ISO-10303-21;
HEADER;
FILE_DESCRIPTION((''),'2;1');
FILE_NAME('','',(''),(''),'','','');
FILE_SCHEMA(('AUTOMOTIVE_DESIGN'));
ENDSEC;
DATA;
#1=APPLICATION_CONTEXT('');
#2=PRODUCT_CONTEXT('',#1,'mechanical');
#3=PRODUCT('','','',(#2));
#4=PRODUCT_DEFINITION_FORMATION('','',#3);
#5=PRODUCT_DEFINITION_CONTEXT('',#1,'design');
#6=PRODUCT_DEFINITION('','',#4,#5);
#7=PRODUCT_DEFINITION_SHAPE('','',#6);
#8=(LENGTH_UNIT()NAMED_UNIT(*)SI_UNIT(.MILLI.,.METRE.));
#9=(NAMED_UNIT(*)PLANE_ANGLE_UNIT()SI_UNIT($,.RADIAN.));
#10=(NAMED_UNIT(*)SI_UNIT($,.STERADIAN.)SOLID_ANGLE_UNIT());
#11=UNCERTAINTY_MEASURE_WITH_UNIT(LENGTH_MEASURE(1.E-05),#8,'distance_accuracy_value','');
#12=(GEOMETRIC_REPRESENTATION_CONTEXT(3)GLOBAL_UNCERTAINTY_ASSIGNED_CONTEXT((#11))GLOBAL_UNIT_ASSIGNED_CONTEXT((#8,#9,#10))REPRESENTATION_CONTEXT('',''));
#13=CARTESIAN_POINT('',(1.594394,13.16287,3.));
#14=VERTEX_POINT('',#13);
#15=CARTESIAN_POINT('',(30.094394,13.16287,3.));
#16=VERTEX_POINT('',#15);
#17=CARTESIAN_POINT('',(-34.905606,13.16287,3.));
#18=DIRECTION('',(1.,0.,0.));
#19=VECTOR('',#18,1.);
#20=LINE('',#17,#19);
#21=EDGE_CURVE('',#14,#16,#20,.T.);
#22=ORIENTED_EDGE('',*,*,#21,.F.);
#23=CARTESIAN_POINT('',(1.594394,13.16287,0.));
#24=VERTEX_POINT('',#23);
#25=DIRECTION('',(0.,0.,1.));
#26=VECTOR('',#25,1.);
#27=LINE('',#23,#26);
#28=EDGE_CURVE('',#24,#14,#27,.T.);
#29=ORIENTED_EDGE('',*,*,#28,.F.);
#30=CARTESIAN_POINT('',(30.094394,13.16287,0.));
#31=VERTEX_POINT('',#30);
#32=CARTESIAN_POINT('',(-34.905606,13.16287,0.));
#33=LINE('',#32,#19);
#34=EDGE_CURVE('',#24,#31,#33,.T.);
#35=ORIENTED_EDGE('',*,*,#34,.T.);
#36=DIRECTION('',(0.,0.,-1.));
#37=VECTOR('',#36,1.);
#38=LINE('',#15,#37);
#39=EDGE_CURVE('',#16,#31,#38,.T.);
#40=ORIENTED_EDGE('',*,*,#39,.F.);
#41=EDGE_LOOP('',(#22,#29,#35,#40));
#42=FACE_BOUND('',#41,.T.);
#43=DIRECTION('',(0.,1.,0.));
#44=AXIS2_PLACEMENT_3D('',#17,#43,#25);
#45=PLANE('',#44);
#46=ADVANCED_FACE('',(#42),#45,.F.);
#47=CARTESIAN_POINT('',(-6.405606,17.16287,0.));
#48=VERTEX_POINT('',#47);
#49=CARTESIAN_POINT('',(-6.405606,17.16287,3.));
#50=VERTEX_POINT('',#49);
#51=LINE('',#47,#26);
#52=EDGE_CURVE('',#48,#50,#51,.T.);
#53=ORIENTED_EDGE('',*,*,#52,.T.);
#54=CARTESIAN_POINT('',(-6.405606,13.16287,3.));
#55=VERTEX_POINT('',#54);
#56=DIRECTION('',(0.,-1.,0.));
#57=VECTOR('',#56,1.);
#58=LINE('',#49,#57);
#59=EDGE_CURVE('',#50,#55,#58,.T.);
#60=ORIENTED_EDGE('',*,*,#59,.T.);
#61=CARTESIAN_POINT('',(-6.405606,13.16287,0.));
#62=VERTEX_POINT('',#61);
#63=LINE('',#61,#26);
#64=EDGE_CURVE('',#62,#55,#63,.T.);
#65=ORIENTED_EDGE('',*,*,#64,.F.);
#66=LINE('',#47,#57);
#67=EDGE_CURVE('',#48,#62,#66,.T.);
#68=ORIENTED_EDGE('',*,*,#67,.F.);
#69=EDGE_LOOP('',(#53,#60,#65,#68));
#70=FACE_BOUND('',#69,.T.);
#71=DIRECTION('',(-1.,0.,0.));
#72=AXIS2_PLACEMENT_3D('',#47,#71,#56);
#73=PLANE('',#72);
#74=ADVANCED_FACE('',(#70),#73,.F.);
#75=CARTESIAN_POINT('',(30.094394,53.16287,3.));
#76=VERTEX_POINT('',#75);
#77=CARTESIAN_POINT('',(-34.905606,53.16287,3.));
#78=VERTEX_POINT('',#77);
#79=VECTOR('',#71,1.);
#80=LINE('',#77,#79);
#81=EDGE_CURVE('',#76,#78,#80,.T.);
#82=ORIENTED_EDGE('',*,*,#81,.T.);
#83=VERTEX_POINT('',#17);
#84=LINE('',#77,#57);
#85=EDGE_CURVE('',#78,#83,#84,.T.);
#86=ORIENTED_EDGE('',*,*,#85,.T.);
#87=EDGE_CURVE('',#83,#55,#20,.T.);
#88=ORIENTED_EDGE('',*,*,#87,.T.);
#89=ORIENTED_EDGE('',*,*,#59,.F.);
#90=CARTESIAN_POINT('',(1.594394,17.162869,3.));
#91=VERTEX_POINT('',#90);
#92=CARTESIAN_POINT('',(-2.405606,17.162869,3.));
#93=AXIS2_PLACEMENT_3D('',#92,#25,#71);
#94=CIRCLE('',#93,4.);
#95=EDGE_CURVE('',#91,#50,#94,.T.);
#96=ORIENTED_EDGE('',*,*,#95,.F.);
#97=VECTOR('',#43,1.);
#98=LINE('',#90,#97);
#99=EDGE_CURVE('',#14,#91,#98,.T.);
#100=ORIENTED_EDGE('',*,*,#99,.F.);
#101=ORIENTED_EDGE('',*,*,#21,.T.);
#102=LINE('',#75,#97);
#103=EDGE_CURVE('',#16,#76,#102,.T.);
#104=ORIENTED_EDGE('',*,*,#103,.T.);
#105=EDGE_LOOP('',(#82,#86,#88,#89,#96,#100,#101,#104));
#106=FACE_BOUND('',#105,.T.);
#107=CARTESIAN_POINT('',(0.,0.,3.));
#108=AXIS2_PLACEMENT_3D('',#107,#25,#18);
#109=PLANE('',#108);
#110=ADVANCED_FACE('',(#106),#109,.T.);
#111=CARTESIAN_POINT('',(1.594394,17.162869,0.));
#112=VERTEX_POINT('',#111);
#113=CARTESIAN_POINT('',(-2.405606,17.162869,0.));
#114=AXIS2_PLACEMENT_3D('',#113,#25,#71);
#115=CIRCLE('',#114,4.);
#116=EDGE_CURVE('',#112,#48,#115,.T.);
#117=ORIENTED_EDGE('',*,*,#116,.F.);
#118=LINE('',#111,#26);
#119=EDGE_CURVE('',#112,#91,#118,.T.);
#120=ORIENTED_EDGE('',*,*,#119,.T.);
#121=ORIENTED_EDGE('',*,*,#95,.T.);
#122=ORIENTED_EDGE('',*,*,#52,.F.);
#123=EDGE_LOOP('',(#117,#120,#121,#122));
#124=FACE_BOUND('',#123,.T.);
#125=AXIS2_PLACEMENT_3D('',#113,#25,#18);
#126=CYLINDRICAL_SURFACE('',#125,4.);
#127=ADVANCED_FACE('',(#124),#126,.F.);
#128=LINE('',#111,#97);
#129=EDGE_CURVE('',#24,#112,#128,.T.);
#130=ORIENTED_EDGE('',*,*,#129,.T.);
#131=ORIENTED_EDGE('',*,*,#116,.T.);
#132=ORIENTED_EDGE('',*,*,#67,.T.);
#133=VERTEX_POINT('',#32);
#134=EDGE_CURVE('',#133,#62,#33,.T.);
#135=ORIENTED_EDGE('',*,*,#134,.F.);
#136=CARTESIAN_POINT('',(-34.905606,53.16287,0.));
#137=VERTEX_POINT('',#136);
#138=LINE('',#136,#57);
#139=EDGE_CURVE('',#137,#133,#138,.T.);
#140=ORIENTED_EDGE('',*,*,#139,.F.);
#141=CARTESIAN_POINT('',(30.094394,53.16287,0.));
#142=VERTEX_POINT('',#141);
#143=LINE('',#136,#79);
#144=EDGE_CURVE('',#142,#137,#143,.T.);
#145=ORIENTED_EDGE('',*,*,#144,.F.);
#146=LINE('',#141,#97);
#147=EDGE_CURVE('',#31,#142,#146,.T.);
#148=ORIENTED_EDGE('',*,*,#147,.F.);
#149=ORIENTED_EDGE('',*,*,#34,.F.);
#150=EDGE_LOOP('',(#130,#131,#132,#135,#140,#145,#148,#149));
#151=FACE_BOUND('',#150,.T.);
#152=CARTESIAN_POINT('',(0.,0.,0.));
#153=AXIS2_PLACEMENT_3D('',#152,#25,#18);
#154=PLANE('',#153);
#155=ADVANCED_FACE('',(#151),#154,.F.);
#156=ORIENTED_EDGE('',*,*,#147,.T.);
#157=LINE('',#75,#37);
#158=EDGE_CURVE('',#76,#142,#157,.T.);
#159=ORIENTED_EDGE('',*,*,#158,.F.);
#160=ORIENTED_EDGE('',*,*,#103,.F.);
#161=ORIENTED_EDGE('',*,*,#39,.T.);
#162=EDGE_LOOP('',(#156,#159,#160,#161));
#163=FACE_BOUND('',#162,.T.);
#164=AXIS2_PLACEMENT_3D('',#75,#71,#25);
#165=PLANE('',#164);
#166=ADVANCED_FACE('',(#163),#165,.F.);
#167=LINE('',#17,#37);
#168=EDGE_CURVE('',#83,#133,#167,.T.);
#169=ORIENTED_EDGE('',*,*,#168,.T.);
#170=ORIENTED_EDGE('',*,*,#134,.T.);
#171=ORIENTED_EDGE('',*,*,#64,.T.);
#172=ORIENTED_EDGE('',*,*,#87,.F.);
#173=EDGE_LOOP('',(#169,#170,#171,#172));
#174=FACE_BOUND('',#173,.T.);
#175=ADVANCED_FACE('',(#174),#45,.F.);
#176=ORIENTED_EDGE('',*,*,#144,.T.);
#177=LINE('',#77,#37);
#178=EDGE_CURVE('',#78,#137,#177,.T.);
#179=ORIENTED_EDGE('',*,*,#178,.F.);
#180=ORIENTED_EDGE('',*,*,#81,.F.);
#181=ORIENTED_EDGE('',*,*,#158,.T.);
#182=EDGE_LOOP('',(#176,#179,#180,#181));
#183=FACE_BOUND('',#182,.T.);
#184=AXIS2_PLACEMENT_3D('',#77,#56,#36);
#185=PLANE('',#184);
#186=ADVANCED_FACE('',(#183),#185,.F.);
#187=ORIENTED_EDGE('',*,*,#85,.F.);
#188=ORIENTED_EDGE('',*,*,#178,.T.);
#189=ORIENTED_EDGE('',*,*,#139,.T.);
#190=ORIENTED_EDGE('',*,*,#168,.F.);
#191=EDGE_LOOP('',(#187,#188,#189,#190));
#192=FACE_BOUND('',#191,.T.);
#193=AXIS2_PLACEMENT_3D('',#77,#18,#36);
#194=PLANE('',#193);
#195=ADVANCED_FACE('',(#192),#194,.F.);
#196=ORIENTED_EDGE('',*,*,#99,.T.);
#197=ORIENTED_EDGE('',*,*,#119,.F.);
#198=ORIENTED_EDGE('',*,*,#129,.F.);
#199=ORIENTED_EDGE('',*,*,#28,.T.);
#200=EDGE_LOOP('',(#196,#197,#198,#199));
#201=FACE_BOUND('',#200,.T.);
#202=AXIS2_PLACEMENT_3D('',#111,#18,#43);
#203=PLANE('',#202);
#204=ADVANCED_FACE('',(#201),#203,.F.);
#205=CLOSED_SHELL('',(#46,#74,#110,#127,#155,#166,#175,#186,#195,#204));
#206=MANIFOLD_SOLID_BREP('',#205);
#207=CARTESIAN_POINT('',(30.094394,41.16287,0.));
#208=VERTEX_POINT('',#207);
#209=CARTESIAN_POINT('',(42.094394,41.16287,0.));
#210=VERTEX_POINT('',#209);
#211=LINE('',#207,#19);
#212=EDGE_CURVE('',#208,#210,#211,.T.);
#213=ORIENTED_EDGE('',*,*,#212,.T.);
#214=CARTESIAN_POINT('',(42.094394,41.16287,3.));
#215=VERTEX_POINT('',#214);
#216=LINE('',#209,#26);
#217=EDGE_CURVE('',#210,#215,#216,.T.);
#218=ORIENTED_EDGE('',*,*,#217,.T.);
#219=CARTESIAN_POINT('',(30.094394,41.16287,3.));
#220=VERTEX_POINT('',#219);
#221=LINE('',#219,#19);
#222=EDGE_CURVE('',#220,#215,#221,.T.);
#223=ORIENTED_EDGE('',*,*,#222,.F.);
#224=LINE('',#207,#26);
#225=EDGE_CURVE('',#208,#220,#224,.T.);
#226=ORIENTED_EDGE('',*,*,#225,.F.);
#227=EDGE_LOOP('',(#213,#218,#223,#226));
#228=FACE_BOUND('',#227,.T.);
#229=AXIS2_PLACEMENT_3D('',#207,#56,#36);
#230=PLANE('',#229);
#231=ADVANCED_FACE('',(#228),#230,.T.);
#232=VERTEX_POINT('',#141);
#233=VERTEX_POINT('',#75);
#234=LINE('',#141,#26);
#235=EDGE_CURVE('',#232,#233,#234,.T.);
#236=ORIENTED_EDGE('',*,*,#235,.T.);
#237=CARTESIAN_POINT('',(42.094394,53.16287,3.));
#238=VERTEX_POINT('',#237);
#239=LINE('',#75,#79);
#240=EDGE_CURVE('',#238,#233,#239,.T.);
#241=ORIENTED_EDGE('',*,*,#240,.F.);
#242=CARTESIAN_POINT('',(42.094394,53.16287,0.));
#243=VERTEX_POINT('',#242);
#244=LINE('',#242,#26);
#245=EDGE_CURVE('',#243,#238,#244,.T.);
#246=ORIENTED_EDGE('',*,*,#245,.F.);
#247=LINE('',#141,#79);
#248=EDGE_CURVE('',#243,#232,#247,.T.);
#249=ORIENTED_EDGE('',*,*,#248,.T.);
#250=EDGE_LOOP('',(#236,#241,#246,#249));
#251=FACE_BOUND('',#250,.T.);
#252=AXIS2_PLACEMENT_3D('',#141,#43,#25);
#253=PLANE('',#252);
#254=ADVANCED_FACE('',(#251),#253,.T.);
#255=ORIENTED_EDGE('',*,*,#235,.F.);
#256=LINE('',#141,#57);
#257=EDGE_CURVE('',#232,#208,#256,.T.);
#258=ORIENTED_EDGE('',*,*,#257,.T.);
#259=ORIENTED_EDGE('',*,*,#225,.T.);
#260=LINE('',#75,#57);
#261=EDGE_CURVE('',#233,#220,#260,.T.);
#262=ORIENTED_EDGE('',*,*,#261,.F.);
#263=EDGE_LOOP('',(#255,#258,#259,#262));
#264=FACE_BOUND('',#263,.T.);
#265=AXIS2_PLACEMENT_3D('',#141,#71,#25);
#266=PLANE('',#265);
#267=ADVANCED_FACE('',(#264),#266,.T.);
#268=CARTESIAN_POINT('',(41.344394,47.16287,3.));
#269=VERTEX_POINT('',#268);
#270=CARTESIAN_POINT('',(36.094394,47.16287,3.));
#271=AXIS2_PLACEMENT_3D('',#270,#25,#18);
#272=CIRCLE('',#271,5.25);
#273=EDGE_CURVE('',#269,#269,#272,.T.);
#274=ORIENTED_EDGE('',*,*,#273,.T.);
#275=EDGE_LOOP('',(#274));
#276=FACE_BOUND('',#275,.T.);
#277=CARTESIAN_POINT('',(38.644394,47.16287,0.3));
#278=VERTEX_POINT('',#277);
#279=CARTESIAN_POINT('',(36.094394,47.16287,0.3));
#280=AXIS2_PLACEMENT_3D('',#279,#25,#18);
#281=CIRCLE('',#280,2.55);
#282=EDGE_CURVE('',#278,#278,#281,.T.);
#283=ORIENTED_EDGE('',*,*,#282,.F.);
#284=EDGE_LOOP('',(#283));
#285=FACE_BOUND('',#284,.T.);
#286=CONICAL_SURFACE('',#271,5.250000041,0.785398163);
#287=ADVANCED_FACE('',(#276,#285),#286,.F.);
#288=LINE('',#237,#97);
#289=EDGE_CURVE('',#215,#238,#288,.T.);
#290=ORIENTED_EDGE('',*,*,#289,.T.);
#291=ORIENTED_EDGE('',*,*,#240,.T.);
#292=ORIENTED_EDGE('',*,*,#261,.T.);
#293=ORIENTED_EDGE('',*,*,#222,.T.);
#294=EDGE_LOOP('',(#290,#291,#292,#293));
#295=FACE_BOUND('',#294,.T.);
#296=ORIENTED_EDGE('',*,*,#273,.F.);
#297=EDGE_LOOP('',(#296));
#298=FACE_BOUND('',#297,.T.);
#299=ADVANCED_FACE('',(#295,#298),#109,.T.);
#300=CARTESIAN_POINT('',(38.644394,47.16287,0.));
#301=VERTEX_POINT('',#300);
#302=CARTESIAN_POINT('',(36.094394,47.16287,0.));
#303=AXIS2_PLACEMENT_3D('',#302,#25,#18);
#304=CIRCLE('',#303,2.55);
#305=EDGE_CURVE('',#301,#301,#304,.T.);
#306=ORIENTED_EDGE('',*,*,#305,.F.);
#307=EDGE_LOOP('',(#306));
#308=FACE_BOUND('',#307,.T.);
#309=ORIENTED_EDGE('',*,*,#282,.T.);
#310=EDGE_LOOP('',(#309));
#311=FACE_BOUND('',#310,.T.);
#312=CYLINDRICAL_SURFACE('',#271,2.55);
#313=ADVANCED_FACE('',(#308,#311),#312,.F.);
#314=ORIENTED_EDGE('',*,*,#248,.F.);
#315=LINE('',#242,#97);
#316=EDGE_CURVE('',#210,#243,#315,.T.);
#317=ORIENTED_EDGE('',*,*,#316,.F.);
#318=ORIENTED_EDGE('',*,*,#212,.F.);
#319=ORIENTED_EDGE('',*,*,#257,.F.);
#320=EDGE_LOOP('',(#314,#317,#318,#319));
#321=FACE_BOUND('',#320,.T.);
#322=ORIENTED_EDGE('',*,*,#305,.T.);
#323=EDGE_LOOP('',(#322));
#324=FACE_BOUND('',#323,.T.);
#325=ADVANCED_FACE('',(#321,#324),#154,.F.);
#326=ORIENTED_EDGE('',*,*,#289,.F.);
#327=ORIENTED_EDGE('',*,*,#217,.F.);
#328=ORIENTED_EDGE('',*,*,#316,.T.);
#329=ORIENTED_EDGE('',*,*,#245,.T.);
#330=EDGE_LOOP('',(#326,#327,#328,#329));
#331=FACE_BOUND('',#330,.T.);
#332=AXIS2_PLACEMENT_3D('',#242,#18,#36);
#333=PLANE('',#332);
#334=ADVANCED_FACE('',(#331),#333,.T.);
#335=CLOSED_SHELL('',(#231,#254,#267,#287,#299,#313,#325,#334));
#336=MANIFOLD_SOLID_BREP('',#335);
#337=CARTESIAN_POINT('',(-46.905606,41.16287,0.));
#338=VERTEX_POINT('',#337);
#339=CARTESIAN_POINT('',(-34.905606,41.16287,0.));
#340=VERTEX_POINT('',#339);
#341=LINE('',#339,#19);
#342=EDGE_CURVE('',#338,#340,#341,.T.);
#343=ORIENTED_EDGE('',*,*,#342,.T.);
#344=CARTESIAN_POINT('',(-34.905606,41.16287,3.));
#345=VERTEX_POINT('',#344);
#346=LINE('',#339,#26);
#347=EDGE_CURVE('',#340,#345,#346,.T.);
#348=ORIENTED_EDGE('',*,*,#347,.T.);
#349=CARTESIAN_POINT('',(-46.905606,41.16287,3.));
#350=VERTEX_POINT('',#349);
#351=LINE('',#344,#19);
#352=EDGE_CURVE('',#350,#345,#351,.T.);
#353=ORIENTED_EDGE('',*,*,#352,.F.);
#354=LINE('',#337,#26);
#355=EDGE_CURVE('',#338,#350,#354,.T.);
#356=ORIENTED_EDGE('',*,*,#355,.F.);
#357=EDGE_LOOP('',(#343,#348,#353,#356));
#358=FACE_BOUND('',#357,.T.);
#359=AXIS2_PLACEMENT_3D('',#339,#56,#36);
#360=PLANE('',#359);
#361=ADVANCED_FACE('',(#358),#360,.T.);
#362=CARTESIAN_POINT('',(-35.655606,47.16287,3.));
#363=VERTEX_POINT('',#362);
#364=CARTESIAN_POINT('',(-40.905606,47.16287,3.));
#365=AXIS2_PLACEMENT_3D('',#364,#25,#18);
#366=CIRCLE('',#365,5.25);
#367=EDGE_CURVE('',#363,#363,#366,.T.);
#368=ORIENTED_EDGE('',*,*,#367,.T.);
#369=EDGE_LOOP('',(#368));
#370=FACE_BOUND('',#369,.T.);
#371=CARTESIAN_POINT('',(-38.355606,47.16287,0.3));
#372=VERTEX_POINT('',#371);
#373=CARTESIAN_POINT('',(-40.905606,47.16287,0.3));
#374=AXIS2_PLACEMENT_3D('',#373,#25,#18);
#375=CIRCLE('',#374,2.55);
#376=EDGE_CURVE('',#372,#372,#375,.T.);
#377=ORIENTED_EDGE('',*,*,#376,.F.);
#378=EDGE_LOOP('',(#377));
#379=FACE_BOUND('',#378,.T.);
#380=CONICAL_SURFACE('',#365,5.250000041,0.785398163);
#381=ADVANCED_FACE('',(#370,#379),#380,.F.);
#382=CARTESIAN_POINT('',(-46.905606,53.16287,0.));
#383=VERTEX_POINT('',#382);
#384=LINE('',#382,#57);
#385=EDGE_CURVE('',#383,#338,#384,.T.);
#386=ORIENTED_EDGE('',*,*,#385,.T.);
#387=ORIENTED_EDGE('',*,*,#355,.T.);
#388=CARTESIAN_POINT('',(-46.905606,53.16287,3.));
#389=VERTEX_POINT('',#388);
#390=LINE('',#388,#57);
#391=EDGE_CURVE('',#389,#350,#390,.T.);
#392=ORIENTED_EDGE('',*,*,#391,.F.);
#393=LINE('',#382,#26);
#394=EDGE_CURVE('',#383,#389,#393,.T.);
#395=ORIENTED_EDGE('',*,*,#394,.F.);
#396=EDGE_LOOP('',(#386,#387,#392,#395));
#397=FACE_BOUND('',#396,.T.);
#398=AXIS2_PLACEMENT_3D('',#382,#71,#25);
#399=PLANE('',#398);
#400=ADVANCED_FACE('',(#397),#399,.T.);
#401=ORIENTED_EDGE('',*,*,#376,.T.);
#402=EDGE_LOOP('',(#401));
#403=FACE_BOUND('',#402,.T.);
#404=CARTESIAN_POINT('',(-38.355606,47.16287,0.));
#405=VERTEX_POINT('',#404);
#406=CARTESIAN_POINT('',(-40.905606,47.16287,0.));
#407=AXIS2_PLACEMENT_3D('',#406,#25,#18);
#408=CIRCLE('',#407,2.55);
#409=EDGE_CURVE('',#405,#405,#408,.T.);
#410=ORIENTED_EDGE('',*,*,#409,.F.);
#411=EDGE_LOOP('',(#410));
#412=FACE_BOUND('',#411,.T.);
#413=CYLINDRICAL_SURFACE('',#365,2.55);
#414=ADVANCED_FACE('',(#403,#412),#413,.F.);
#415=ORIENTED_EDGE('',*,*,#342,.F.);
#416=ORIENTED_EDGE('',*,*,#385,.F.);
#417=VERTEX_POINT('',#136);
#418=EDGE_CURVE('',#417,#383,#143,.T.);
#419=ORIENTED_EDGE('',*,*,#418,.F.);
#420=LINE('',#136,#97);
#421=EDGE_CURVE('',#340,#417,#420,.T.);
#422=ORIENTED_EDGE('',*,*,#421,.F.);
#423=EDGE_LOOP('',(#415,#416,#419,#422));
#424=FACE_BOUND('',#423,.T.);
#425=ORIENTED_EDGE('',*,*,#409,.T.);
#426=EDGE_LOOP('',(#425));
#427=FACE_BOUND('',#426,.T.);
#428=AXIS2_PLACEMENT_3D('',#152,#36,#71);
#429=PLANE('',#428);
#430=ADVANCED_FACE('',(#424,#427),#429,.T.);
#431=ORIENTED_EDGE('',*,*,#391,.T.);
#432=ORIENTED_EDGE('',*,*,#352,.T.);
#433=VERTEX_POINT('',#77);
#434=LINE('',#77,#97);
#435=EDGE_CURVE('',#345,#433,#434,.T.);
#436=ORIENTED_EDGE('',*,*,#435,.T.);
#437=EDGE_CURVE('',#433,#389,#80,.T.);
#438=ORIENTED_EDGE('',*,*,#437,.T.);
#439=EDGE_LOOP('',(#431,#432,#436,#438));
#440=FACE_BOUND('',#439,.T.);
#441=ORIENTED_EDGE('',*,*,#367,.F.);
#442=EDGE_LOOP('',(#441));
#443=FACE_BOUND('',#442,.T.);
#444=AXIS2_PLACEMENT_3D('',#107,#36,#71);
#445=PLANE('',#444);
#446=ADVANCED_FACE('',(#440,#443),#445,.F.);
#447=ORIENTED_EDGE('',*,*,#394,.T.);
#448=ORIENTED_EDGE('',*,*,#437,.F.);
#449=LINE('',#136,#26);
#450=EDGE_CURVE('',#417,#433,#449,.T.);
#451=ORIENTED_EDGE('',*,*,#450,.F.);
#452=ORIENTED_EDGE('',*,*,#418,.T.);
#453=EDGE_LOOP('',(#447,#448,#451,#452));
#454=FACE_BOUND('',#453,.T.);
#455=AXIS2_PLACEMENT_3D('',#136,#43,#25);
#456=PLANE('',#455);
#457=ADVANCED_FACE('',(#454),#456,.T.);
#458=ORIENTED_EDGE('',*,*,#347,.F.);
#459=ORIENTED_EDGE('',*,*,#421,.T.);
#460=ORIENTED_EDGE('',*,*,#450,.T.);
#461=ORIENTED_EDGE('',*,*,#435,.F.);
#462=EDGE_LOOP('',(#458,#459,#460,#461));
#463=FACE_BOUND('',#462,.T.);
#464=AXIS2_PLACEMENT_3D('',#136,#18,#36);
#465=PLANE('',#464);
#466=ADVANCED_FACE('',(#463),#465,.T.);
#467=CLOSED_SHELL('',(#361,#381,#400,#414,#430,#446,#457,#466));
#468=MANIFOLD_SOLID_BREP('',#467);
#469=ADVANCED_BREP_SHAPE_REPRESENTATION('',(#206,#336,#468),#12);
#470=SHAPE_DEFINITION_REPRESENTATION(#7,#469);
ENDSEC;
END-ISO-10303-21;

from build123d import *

# Parameters (mm, degrees)
ESQUISSE1_W                                = 65
ESQUISSE1_H                                = 40
BOSS_EXTRU_1_DEPTH                         = 3
ESQUISSE2_W                                = 12
ESQUISSE2_H                                = 12
BOSS_EXTRU_2_DEPTH                         = 3
BOSS_EXTRU_2_2_DEPTH                       = 3
ENL_V_MAT_EXTRU_1_DEPTH                    = 4
FRAISAGE_POUR_VIS_T_TE_FRAIS_E_BOM_2_COUNT = 2
FRAISAGE_POUR_VIS_T_TE_FRAIS_E_BOM_2_PITCH = 77


with BuildPart() as part:
    # Esquisse1 → Boss.-Extru.1 (new body)
    with BuildSketch(Plane.XY):
        with Locations((-2.405605858, 33.162869601)):
            Rectangle(ESQUISSE1_W, ESQUISSE1_H)
    extrude(amount=BOSS_EXTRU_1_DEPTH)

    # Esquisse4 → Enlèv. mat.-Extru.1 (cut, through all)
    with BuildSketch(Plane.XY.offset(3)):
        with BuildLine():
            Line((-6.405605858, 17.162869601), (-6.405605858, 13.162869601))
            Line((-6.405605858, 13.162869601), (1.594394142, 13.162869601))
            Line((1.594394142, 13.162869601), (1.594394142, 17.162868612))
            ThreePointArc((1.594394142, 17.162868612), (-2.405605364, 21.162869107), (-6.405605858, 17.162869601))
        make_face()
    extrude(amount=-ENL_V_MAT_EXTRU_1_DEPTH, mode=Mode.SUBTRACT)


with BuildPart() as body_2:
    # Esquisse2 → Boss.-Extru.2 (new body)
    with BuildSketch(Plane.XY.offset(3)):
        with Locations((-40.905605858, 47.162869601)):
            Rectangle(ESQUISSE2_W, ESQUISSE2_H)
    extrude(amount=-BOSS_EXTRU_2_DEPTH)

    # Esquisse6 → Fraisage pour vis à tête fraisée bombée #51 (revolve, cut)
    with BuildSketch(Plane(origin=(-40.905605858, 47.162869601, 3), x_dir=(0, -1, 0), z_dir=(1, 0, 0))):
        Polygon((0, 0), (0, 3), (2.54999998, 3), (2.54999998, 2.700000061), (5.250000041, 0), align=None)
    fraisage_pour_vis_t_te_frais_e_bomb_e = revolve(axis=Axis((-40.905605858, 47.162869601, 9.35), (0, 0, -1)), mode=Mode.SUBTRACT)


with BuildPart() as body_3:
    # Esquisse2 → Boss.-Extru.2 2 (new body)
    with BuildSketch(Plane.XY.offset(3)):
        with Locations((36.094394142, 47.162869601)):
            Rectangle(ESQUISSE2_W, ESQUISSE2_H)
    extrude(amount=-BOSS_EXTRU_2_2_DEPTH)

    # Fraisage pour vis _ t_te frais_e bom 2: Fraisage pour vis à tête fraisée bombée #51 ×2
    with Locations(*[(i * FRAISAGE_POUR_VIS_T_TE_FRAIS_E_BOM_2_PITCH, 0, 0) for i in range(1, FRAISAGE_POUR_VIS_T_TE_FRAIS_E_BOM_2_COUNT)]):
        add(fraisage_pour_vis_t_te_frais_e_bomb_e, mode=Mode.SUBTRACT)


solid = Compound([part.part, body_2.part, body_3.part])
